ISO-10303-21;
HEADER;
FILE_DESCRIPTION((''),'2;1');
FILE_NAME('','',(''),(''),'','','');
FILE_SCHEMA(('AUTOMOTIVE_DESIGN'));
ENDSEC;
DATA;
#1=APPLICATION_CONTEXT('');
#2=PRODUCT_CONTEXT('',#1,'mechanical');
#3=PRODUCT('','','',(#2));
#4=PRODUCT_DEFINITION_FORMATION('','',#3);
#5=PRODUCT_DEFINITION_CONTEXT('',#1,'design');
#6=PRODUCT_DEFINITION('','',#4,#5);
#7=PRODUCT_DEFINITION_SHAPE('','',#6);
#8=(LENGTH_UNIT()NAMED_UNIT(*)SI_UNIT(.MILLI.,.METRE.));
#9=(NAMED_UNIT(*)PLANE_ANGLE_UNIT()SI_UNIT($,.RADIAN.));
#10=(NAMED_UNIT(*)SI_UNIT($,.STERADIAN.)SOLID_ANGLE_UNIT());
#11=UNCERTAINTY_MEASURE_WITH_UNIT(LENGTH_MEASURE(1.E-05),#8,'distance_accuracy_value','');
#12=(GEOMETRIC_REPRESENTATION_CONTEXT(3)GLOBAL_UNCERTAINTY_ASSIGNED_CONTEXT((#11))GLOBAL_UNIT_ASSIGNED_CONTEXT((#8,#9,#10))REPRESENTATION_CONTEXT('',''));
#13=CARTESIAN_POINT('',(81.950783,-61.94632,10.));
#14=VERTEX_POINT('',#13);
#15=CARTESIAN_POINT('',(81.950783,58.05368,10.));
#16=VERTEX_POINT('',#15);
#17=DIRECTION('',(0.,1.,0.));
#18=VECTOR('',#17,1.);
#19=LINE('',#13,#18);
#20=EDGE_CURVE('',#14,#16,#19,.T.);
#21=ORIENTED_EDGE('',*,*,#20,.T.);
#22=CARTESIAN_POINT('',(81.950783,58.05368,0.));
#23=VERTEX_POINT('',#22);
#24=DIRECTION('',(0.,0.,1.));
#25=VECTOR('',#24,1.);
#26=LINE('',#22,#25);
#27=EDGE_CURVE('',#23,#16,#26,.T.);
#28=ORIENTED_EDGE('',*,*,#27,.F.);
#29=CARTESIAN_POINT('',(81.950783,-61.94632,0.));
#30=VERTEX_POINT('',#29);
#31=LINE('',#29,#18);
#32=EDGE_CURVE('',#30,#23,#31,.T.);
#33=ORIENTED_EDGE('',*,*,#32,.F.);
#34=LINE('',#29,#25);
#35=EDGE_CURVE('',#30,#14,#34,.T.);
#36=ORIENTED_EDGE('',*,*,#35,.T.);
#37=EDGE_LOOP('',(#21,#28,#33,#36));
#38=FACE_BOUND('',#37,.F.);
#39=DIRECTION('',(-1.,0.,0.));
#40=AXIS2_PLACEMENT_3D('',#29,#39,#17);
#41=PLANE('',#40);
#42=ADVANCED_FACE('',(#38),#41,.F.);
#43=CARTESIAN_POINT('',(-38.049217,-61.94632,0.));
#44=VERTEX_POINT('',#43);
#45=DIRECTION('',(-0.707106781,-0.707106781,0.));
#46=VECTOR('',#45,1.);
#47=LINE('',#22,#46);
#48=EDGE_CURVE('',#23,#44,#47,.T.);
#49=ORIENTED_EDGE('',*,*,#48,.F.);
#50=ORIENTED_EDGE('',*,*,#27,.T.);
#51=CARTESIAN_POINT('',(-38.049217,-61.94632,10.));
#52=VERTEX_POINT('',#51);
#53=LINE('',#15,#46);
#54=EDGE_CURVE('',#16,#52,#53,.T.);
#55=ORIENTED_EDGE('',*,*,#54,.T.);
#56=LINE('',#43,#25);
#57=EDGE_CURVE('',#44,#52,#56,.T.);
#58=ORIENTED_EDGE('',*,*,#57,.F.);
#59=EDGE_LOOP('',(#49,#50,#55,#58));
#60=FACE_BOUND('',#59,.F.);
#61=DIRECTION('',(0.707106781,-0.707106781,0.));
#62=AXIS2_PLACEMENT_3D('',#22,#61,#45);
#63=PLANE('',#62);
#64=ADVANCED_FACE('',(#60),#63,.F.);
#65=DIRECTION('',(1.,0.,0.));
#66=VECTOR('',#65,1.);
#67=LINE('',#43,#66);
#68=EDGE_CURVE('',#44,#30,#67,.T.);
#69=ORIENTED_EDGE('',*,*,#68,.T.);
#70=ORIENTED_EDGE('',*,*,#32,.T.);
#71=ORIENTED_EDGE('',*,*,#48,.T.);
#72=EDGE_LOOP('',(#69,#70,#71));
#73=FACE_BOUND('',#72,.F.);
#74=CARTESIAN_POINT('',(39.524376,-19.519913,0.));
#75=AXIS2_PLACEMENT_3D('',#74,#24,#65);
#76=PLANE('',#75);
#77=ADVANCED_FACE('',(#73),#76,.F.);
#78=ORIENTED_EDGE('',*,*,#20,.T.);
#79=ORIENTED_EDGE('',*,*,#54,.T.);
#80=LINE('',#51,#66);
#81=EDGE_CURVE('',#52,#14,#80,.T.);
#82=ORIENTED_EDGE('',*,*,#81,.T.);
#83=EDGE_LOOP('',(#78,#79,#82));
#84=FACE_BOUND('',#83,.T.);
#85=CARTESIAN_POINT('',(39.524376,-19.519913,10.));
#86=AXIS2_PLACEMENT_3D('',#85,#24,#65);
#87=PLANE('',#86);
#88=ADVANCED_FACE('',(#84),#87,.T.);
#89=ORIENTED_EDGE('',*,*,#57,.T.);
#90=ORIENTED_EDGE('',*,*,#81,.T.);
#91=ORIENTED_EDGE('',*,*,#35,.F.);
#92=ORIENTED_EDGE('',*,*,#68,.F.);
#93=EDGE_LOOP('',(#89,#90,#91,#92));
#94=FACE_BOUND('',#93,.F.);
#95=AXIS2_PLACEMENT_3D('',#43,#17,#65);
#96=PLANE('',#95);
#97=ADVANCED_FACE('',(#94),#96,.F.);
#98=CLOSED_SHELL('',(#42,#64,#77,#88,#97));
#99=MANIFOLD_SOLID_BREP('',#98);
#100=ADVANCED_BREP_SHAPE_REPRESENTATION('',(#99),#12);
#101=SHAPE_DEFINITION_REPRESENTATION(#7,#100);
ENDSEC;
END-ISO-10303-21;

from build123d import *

# Parameters (mm, degrees)
PAD_DEPTH = 10


with BuildPart() as part:
    # Sketch → Pad (new body)
    with BuildSketch(Plane.XY):
        Polygon((-38.049217, -61.94632), (81.950783, -61.94632), (81.950783, 58.05368), align=None)
    extrude(amount=PAD_DEPTH)


solid = part.part
